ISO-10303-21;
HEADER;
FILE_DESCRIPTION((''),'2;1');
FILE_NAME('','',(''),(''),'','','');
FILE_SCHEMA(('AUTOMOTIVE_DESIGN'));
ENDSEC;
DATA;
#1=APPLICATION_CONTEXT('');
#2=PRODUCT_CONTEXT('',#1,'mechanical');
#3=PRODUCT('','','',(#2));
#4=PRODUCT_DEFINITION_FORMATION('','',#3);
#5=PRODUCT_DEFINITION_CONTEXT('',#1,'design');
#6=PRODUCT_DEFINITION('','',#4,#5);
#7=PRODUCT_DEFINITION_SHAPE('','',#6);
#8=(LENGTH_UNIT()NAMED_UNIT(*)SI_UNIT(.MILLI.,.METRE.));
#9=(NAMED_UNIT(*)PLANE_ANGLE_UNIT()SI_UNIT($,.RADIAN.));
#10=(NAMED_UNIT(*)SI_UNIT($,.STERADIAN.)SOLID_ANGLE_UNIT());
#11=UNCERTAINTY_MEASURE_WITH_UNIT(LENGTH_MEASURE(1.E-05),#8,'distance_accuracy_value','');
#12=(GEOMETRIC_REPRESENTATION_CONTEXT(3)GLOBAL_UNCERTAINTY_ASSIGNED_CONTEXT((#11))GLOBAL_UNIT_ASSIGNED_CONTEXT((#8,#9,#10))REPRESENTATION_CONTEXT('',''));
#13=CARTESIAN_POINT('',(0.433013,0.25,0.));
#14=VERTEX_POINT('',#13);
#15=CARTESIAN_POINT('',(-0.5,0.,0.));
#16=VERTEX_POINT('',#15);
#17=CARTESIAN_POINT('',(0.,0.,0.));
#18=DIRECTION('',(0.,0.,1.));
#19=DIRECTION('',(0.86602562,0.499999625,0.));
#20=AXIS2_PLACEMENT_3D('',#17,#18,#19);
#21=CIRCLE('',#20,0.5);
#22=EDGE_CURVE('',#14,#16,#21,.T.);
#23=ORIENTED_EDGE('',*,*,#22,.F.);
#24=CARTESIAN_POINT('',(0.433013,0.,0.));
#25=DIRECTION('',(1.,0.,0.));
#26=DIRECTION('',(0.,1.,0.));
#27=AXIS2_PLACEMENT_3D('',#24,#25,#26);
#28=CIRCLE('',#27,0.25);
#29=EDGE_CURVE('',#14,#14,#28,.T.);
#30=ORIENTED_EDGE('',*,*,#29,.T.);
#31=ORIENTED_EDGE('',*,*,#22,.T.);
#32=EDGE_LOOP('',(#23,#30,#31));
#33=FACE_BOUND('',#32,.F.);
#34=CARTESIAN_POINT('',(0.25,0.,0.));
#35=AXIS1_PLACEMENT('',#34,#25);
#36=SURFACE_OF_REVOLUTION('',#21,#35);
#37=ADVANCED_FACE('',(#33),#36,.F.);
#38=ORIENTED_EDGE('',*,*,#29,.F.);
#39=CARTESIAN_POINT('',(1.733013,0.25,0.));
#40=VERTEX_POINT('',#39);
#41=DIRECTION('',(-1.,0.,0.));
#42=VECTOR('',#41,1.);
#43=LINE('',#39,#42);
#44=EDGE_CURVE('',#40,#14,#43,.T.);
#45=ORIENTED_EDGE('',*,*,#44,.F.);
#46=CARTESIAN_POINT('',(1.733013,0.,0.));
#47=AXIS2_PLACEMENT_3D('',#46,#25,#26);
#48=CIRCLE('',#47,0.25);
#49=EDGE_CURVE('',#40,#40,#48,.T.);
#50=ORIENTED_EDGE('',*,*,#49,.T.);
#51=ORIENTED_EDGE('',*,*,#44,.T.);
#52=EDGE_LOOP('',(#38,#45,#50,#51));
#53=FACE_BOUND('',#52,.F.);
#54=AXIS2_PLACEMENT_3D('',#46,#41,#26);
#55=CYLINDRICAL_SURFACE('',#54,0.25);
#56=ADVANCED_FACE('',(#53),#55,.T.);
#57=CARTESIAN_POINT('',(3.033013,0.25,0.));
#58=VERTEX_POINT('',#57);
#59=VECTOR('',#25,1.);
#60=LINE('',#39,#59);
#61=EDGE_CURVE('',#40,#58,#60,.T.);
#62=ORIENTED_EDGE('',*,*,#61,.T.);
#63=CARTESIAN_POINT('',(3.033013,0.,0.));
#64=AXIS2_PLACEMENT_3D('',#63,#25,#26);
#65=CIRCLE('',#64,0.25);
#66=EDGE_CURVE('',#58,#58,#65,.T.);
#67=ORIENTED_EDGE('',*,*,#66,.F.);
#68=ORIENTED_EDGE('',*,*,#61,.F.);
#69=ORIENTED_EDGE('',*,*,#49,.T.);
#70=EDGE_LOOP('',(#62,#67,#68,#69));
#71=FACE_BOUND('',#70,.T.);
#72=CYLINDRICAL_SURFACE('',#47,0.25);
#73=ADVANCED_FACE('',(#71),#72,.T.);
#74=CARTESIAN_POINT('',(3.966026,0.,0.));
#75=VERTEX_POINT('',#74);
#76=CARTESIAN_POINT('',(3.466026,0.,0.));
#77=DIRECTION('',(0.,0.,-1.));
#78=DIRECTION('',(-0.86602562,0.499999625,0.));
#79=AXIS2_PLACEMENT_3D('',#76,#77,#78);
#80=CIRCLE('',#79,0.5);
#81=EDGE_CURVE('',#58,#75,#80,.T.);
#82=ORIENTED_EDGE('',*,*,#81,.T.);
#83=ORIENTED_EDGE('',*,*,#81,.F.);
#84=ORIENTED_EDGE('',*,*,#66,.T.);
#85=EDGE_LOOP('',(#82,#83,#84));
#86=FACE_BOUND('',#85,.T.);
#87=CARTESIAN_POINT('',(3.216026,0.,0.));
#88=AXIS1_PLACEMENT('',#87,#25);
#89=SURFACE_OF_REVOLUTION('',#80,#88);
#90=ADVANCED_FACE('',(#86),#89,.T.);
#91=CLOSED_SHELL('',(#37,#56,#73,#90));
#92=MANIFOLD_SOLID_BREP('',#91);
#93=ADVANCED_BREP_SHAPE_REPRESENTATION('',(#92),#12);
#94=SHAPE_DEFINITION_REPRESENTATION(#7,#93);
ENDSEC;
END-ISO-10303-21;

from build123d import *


with BuildPart() as f1:
    # F0 (on Top) → F1 (revolve)
    with BuildSketch(Plane.XY):
        with BuildLine():
            Line((1.733013, 0.25), (0.433013, 0.25))
            ThreePointArc((0.433013, 0.25), (-0.12941, 0.482963), (-0.5, 0))
            Line((-0.5, 0), (0, 0))
            Line((0, 0), (0.5, 0))
            Line((0.5, 0), (1.733013, 0))
            Line((1.733013, 0), (1.733013, 0.25))
        make_face()
    revolve(axis=Axis((0.25, 0, 0), (1, 0, 0)))

    # F2: F1 across face


with BuildPart() as f1_1:
    add(f1.part)
    add(f1.part.mirror(Plane.YZ.offset(1.733013)))


solid = f1_1.part
